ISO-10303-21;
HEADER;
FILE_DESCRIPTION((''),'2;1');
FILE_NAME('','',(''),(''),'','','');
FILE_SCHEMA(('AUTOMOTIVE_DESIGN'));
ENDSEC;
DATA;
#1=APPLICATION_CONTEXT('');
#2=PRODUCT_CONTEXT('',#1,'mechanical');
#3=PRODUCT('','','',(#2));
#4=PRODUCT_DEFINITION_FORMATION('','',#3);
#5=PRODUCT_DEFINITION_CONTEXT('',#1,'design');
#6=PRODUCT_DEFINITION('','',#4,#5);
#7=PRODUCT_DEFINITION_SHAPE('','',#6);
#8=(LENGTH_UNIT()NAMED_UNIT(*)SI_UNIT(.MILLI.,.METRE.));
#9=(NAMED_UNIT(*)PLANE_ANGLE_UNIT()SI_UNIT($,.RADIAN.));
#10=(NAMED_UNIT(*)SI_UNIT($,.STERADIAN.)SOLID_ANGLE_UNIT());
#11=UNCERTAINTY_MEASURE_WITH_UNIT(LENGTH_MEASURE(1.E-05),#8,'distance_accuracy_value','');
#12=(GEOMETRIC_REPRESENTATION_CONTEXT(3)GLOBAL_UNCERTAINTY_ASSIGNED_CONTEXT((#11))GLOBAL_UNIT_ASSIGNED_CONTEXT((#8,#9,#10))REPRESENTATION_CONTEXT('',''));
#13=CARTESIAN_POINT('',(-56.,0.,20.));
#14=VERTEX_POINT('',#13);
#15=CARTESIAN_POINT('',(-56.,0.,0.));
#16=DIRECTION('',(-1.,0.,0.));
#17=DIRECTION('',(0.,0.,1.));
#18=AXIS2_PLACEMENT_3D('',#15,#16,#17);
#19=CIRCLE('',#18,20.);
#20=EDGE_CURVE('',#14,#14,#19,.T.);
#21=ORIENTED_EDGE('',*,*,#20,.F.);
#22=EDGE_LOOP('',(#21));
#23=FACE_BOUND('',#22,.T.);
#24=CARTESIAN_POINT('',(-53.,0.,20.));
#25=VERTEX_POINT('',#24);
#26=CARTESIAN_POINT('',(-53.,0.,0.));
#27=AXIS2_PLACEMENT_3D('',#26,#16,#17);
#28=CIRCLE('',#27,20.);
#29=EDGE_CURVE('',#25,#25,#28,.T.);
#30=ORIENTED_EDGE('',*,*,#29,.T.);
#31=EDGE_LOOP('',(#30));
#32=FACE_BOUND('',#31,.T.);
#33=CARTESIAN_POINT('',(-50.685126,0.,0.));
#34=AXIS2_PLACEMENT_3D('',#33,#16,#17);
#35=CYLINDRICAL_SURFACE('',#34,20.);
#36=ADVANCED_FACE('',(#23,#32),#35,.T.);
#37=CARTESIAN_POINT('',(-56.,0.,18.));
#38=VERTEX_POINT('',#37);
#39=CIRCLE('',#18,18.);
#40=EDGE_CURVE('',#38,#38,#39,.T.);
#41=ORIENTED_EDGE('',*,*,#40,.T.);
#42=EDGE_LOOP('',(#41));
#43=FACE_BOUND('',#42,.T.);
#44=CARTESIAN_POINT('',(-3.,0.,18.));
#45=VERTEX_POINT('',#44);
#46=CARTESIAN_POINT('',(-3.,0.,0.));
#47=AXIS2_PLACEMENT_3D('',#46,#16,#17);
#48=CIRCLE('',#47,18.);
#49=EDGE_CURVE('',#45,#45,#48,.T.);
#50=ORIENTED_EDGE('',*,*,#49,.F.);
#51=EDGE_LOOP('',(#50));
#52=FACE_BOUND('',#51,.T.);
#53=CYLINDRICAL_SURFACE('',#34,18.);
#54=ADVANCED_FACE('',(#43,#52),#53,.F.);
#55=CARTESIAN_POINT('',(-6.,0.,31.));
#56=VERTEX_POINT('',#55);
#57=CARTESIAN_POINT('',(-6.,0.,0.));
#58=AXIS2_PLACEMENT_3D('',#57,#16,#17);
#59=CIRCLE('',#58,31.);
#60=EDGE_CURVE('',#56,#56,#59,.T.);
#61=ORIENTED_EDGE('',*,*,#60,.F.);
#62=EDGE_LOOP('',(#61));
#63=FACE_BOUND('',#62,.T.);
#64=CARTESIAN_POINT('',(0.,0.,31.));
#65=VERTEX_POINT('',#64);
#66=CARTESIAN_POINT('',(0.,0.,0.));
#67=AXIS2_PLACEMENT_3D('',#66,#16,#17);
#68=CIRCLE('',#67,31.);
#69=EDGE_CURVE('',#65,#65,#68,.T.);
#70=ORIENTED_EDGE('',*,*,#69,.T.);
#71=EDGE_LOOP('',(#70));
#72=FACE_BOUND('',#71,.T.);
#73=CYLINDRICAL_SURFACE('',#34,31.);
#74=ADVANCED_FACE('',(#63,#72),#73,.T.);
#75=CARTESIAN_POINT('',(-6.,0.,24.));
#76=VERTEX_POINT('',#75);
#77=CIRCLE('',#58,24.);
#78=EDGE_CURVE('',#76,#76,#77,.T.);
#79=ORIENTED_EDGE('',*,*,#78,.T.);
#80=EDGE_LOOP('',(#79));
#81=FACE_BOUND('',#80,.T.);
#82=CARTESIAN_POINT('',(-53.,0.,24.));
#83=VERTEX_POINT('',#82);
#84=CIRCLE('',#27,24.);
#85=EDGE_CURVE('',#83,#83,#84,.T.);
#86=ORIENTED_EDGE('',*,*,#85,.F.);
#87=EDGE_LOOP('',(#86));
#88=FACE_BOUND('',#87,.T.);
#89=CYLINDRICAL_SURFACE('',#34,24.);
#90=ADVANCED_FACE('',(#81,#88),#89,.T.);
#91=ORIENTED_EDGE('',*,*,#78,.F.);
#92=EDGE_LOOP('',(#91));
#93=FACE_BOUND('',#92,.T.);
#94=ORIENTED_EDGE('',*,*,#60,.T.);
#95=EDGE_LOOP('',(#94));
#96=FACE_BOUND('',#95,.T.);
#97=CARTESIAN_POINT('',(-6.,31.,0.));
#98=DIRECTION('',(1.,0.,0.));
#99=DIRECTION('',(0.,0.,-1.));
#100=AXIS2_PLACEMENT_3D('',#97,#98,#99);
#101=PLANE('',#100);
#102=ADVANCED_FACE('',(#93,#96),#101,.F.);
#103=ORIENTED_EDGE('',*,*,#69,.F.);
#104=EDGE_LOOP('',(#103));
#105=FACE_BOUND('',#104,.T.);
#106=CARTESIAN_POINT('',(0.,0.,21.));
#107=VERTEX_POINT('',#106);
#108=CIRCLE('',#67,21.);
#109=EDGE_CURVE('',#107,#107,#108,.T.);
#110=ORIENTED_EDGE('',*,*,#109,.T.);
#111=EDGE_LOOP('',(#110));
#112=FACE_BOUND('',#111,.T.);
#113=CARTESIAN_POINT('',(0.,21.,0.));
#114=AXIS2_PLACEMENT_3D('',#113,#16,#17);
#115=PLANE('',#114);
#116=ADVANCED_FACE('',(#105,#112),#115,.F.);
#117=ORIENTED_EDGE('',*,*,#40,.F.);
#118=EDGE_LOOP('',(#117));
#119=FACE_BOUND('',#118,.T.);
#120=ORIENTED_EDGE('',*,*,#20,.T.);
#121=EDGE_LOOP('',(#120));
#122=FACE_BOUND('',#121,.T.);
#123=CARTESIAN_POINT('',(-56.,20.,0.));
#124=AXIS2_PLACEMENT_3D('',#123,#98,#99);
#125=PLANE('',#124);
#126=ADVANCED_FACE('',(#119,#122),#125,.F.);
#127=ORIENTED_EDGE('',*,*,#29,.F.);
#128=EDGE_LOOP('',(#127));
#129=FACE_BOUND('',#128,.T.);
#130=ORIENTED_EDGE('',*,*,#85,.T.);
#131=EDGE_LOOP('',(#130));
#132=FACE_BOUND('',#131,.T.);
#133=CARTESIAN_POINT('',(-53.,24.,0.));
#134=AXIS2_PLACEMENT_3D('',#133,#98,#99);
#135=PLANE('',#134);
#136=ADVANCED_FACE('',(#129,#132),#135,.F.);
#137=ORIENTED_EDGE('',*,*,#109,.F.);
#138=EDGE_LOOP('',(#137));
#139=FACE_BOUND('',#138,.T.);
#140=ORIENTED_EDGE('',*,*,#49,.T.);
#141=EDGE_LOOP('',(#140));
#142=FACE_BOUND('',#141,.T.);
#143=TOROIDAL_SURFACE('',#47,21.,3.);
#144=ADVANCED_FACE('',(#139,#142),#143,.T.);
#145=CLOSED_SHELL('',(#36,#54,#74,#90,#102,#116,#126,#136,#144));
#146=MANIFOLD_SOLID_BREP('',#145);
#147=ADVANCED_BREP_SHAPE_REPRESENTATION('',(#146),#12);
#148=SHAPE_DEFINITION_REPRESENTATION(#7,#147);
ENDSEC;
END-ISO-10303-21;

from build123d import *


with BuildPart() as part:
    # Esquisse1 → Base-Révolution (revolve)
    with BuildSketch(Plane.XY):
        with BuildLine():
            Line((-56, 18), (-3, 18))
            ThreePointArc((-3, 18), (-0.878679656, 18.878679656), (0, 21))
            Line((0, 21), (0, 31))
            Line((0, 31), (-6, 31))
            Line((-6, 31), (-6, 24))
            Line((-6, 24), (-53, 24))
            Line((-53, 24), (-53, 20))
            Line((-53, 20), (-56, 20))
            Line((-56, 20), (-56, 18))
        make_face()
    revolve(axis=Axis((-50.685125628, 0, 0), (1, 0, 0)))


solid = part.part
